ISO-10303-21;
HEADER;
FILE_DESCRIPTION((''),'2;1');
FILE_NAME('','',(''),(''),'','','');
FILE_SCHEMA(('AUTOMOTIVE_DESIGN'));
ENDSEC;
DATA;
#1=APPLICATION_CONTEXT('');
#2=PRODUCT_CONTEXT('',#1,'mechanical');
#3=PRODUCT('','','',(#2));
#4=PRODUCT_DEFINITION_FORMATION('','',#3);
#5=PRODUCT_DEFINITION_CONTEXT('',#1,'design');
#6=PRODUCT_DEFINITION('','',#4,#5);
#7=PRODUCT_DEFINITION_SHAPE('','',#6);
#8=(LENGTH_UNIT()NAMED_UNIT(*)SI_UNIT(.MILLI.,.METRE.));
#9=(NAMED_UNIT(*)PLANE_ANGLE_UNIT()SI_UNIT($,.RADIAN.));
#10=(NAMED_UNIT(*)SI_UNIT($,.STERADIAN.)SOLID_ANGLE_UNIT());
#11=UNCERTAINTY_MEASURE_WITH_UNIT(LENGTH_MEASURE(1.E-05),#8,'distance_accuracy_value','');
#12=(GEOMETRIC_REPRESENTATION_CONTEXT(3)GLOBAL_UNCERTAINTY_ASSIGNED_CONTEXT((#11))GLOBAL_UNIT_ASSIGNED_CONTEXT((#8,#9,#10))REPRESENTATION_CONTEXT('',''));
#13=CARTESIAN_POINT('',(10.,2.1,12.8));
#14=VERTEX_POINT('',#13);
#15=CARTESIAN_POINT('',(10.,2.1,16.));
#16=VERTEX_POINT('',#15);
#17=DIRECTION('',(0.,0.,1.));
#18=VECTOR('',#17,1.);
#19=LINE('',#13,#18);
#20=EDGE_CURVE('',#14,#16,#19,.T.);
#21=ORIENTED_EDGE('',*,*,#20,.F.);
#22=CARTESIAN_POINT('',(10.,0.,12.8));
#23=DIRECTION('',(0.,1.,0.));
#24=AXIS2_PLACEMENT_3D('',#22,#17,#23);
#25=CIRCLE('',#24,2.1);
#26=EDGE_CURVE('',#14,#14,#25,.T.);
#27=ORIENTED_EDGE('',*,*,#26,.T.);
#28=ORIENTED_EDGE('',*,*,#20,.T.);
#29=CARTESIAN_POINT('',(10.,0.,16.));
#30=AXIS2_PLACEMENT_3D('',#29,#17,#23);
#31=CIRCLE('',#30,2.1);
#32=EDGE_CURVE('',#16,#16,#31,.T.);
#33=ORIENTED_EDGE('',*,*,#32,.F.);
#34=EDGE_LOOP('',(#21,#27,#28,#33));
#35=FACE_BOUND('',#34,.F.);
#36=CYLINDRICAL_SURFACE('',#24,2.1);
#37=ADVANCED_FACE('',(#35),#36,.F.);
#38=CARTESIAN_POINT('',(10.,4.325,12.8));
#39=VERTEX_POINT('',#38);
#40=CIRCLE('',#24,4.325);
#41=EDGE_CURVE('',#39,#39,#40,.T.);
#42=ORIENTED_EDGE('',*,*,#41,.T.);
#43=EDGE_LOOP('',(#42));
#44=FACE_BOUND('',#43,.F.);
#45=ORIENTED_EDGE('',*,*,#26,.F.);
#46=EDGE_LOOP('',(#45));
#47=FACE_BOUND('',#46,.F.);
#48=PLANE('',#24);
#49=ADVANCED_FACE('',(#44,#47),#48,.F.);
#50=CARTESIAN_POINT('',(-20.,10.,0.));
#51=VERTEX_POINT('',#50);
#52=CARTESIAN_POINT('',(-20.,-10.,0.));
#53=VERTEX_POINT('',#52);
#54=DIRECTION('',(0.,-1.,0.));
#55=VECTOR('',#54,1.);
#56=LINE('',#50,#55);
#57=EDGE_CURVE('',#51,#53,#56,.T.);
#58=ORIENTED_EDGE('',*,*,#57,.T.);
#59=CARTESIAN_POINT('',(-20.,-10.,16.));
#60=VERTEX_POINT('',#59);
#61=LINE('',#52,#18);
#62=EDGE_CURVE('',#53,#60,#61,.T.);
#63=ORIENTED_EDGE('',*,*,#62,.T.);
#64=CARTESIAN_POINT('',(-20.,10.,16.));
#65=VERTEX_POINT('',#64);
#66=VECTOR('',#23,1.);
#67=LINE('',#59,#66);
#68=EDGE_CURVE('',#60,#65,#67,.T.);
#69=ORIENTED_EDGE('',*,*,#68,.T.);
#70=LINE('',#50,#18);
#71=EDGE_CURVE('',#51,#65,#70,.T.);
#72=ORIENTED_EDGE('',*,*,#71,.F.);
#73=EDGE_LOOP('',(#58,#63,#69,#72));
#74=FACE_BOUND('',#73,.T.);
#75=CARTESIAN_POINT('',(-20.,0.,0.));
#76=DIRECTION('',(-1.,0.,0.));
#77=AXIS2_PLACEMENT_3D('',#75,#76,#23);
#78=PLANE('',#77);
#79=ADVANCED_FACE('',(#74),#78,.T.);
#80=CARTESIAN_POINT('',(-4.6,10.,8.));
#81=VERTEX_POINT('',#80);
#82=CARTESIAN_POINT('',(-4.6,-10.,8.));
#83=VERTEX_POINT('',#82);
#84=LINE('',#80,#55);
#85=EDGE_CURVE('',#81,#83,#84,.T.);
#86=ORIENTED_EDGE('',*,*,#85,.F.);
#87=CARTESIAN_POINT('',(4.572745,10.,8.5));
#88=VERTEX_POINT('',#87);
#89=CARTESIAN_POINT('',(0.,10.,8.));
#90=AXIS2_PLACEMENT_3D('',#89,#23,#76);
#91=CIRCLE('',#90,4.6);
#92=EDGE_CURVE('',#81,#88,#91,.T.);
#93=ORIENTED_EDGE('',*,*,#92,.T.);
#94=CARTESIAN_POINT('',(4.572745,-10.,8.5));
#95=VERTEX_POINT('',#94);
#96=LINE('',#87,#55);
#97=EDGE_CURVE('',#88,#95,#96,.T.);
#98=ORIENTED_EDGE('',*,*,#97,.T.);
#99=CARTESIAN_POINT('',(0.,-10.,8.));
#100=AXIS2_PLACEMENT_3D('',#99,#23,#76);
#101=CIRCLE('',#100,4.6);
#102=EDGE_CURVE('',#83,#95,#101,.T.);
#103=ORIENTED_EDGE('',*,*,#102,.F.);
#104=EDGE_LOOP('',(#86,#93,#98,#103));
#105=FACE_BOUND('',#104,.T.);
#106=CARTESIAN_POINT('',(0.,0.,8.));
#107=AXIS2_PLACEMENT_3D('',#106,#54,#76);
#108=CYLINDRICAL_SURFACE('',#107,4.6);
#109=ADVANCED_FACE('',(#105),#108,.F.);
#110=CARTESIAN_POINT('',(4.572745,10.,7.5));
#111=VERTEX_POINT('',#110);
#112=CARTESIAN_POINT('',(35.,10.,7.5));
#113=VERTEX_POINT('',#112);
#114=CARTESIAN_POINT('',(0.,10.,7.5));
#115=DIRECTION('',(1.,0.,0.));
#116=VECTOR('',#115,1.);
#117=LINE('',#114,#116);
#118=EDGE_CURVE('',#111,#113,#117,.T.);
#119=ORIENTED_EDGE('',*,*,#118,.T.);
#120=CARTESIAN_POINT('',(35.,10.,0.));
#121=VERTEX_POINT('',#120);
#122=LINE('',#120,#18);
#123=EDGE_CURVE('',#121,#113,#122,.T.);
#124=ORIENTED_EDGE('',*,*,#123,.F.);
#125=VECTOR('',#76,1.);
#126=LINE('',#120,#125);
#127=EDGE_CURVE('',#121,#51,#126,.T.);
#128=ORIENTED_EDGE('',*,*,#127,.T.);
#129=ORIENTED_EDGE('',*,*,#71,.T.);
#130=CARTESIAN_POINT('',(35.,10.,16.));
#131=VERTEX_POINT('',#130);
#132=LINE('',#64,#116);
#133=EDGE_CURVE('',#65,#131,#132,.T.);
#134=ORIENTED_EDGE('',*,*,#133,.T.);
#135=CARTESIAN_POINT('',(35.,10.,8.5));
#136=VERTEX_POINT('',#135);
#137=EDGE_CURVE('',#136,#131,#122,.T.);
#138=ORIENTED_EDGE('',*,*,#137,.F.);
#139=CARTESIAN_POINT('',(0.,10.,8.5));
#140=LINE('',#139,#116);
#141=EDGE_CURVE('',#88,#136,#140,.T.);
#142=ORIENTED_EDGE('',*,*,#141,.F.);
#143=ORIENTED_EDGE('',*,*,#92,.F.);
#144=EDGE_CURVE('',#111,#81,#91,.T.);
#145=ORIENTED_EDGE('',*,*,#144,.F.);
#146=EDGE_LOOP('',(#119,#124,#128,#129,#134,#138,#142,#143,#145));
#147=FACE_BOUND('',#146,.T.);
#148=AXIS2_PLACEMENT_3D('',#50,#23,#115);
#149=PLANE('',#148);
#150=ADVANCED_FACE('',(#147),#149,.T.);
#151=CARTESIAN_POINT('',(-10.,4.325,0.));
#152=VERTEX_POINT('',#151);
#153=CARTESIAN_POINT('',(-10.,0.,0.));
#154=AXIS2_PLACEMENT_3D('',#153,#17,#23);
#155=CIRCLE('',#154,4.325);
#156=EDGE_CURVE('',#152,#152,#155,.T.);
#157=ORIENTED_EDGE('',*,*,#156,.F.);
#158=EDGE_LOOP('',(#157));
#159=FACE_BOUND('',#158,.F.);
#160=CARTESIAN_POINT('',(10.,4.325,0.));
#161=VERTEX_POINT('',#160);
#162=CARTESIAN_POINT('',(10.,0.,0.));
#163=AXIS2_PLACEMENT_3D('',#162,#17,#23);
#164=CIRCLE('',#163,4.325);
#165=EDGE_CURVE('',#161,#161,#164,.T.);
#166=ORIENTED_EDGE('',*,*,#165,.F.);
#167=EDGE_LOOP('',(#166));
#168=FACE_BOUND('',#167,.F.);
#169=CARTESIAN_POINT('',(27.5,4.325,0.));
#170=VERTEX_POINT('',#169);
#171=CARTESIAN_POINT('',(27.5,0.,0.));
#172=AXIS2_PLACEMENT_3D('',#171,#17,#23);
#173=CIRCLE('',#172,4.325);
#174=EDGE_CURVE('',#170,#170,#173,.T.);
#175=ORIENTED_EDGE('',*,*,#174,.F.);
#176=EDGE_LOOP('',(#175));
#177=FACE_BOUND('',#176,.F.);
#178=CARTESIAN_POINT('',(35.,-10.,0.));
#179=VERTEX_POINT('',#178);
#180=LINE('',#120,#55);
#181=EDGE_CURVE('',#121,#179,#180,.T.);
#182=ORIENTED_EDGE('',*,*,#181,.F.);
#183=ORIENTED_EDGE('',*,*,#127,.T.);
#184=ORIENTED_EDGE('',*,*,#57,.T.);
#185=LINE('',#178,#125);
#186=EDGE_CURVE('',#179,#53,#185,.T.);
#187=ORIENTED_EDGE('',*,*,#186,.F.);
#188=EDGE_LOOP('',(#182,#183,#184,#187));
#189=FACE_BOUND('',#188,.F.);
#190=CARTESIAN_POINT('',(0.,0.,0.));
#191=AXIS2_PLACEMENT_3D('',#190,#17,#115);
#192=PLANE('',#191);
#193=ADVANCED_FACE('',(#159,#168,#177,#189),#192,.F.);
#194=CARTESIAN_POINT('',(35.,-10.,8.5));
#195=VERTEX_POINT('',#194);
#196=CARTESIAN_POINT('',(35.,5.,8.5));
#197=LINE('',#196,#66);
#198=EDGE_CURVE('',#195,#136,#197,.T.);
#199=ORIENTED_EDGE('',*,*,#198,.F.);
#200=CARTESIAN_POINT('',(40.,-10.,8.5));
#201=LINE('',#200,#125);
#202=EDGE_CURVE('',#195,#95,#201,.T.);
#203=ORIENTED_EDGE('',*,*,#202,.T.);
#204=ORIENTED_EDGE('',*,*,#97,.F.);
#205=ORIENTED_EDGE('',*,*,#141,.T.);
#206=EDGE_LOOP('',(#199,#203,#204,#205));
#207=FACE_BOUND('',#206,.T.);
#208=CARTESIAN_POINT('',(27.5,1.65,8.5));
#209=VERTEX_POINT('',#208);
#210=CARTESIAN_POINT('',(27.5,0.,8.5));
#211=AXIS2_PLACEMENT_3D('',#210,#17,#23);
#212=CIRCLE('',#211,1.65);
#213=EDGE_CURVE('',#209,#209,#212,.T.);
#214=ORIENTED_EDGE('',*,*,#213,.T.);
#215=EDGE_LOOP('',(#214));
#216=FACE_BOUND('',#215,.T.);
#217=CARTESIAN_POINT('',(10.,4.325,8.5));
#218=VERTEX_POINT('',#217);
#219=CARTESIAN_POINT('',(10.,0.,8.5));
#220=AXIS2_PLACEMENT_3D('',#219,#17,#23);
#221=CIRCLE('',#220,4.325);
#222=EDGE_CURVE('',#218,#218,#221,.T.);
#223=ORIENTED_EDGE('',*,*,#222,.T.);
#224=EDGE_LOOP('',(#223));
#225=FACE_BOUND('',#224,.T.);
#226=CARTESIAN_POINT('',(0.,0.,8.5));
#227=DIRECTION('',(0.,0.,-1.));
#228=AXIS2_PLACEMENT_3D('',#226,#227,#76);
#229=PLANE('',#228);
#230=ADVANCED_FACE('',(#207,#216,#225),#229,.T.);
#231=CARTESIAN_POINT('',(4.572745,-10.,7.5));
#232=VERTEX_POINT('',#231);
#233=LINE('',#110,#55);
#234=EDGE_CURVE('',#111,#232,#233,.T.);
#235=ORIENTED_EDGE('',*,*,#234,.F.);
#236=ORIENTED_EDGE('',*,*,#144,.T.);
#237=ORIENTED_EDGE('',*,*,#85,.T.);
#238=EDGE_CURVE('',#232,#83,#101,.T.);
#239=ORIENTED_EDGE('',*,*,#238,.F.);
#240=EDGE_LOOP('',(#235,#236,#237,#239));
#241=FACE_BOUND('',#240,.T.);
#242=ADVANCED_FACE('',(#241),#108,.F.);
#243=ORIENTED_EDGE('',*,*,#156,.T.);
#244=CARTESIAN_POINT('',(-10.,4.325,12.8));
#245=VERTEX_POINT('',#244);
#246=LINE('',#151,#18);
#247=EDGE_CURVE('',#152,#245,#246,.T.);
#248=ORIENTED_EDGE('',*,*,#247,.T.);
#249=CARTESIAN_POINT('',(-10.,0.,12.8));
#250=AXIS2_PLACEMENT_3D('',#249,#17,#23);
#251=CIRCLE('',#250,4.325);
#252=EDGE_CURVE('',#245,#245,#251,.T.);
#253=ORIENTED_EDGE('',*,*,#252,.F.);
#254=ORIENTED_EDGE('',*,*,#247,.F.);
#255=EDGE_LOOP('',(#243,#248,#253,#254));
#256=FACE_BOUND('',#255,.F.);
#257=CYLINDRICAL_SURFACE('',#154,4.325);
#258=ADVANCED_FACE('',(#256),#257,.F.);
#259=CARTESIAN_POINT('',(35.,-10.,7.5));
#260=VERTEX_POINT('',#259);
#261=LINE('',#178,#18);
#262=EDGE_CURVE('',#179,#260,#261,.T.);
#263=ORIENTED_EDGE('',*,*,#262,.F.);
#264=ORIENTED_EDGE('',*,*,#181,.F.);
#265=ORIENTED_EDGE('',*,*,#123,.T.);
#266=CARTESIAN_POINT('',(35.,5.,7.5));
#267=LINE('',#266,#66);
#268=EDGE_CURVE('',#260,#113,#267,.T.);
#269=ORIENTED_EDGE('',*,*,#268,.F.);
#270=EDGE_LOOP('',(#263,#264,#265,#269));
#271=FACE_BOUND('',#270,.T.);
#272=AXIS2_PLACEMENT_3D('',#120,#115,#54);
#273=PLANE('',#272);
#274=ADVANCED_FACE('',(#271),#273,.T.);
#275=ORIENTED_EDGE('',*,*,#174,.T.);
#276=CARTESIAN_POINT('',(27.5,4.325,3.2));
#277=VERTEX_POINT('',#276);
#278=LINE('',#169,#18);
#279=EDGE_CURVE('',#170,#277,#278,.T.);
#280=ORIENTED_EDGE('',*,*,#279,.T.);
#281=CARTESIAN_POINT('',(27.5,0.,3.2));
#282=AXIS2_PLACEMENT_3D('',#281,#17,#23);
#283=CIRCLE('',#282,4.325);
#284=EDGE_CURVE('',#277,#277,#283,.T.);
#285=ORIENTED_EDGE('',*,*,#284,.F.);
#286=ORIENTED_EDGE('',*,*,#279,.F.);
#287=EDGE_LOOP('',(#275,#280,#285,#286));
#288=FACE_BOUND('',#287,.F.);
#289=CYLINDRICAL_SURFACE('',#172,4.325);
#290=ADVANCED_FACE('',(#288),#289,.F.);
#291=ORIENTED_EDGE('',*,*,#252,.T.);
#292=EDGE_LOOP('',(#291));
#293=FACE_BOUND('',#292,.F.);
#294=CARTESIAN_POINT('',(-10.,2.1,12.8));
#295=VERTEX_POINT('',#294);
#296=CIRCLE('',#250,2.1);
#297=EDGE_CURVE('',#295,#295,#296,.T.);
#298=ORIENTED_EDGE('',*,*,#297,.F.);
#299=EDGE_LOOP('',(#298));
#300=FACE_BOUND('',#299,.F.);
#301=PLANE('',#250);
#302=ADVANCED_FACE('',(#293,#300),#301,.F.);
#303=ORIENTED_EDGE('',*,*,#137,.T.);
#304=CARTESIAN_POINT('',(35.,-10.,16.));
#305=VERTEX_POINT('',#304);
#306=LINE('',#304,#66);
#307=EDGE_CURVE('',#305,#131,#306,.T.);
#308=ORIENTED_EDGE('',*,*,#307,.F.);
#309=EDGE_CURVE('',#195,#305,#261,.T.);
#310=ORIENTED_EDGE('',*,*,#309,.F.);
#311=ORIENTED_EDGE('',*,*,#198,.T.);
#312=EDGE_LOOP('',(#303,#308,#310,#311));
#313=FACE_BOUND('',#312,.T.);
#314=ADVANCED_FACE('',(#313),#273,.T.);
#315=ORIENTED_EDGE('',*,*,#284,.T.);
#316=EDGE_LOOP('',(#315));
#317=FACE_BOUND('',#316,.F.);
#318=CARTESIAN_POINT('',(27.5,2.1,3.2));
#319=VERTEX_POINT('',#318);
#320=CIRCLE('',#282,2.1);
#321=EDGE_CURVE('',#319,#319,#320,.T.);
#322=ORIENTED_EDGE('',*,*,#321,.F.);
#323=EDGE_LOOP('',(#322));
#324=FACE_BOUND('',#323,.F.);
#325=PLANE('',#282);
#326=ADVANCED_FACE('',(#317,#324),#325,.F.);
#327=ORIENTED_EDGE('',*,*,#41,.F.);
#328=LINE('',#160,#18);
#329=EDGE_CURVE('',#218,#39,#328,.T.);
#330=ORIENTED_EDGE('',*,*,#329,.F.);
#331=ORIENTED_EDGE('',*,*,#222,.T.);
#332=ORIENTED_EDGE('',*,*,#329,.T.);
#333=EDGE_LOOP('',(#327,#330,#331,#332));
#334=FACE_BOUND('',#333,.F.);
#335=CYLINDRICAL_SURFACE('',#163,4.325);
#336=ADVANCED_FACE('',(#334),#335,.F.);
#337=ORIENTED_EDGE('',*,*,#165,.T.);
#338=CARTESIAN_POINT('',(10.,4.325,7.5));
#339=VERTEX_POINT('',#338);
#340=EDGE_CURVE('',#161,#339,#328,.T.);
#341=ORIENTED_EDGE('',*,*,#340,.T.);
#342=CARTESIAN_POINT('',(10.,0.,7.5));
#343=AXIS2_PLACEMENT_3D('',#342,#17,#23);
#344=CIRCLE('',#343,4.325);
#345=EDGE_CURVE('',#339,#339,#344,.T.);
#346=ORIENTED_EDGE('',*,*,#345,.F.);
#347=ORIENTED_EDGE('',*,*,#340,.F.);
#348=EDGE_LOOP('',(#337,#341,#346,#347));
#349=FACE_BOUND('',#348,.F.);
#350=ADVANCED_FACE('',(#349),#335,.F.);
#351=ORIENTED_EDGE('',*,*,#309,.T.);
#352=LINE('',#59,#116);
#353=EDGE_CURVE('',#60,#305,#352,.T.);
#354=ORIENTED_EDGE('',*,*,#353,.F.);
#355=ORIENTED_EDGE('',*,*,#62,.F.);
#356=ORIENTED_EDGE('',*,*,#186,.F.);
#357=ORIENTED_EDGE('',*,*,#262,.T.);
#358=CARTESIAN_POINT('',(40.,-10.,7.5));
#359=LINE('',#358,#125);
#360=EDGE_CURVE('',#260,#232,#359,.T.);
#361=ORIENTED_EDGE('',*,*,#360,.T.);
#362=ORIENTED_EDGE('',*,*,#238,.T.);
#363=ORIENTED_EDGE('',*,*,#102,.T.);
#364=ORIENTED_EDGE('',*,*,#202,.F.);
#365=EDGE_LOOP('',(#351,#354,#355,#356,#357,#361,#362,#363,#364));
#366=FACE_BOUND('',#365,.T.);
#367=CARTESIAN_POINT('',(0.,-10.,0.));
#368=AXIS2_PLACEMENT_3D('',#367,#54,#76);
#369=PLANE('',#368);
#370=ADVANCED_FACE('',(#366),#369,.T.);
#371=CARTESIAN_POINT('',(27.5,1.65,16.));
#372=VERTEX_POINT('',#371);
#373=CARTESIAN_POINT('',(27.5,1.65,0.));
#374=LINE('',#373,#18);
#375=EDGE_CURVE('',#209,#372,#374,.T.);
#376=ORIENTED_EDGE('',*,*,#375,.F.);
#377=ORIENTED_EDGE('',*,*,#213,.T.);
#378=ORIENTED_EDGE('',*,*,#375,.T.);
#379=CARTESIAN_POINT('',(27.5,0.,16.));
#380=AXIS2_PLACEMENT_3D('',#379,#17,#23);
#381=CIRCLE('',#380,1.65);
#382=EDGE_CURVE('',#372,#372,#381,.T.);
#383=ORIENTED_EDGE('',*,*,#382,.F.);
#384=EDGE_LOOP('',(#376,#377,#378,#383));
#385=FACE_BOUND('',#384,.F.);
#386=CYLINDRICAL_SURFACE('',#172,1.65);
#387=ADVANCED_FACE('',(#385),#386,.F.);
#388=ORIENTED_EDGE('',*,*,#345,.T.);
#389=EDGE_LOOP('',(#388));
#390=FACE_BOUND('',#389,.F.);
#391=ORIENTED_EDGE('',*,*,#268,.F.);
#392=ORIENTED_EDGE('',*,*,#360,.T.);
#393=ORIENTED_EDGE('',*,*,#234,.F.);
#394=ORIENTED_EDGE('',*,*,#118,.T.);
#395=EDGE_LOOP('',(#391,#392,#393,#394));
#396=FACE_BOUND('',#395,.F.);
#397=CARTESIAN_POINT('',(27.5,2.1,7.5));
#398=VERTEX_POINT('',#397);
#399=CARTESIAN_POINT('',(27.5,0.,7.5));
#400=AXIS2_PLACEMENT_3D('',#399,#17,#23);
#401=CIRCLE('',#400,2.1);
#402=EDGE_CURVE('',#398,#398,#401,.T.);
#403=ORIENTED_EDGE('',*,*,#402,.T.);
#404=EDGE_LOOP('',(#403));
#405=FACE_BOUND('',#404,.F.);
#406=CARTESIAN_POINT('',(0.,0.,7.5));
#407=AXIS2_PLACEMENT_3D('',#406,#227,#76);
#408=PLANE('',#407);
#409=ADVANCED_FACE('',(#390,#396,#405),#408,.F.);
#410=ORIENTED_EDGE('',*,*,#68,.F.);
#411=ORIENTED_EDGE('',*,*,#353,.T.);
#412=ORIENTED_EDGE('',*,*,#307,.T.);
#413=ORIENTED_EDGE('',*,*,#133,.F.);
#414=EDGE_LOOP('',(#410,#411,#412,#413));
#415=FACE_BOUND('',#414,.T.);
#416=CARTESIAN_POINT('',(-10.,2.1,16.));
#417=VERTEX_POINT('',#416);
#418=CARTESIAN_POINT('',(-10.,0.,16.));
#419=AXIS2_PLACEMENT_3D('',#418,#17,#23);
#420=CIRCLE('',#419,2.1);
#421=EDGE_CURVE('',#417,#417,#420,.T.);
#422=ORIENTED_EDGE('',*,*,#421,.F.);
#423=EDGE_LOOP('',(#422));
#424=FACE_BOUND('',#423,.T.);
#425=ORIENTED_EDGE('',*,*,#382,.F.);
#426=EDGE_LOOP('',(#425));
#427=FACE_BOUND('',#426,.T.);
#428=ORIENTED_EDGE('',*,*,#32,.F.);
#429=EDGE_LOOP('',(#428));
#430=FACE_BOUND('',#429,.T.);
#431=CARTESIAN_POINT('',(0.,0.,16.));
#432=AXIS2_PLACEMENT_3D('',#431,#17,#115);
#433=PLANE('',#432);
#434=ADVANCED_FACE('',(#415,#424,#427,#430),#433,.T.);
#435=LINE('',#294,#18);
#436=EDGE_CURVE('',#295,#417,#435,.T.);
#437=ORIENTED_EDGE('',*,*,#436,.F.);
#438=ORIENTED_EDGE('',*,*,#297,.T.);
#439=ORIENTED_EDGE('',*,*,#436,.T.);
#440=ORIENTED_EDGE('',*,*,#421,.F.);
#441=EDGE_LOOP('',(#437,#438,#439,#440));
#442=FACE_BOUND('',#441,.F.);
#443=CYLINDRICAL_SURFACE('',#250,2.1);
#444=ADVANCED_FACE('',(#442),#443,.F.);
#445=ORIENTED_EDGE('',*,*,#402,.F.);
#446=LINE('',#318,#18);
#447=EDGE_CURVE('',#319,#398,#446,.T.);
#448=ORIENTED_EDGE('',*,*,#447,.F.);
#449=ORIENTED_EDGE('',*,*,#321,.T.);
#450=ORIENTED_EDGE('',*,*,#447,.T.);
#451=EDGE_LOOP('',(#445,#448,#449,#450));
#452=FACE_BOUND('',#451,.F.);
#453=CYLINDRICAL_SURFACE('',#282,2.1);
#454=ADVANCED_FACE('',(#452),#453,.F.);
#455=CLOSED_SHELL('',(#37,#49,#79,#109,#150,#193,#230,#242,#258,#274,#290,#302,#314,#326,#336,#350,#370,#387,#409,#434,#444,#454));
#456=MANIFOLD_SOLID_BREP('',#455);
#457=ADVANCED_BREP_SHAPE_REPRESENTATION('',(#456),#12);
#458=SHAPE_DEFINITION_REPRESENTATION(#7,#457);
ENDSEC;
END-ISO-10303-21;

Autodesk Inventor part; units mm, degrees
ref_plane "YZ Plane" through (0, 0, 0) normal (1, 0, 0) x (0, 1, 0)
ref_plane "XZ Plane" through (0, 0, 0) normal (0, 1, 0) x (-1, 0, 0)
sketch "Sketch1" plane through (0, 0, 0) normal (0, 0, 1) x (1, 0, 0)
  line L0 (-20, 10) -> (35, 10)
  line L1 (35, 10) -> (35, -10)
  line L2 (35, -10) -> (-20, -10)
  line L3 (-20, -10) -> (-20, 10)
  line L4 (-31, 0) -> (46, 0) projected
  line L5 (0, -14) -> (0, 14) projected
  point P0 (0, 0)
  point P1 (-10, 0)
  point P2 (10, 0)
  point P3 (27.5, 0)
  dimension "d0" = 20
  dimension "d2" = 55
  dimension "d8" = 20
  dimension "d9" = 20
  dimension "d10" = 7.5
extrude "Extrusion1" add sketch "Sketch1" along normal blind 16
sketch "Sketch2" plane through (0, 0, 0) normal (0, 0, 1) x (1, 0, 0)
  line L0 (-20, 10) -> (35, 10)
  line L1 (35, 10) -> (35, -10)
  line L2 (35, -10) -> (-20, -10)
  line L3 (-20, -10) -> (-20, 10)
  line L4 (0, 14) -> (0, -14) projected
  line L5 (-31, 0) -> (46, 0) projected
  point P0 (0, 0)
  point P1 (-10, 0)
  point P2 (10, 0)
  dimension "d38" = 20
  dimension "d39" = 55
  dimension "d41" = 20
hole "Hole4" at (-10, 0, 0) at (10, 0, 0) direction (0, 0, 1) diameter 4.2 end through all counterbore diameter 8.65 counterbore depth 12.8
sketch "Sketch3" plane through (0, 0, 0) normal (0, 0, 1) x (1, 0, 0)
  line L0 (-20, 10) -> (35, 10)
  line L1 (35, 10) -> (35, -10)
  line L2 (35, -10) -> (-20, -10)
  line L3 (-20, -10) -> (-20, 10)
  point P0 (0, 0)
  point P1 (-10, 0)
  point P2 (10, 0)
  point P3 (27.5, 0)
  dimension "d50" = 20
  dimension "d51" = 55
  dimension "d52" = 20
  dimension "d53" = 7.5
hole "Hole5" at (27.5, 0, 0) direction (0, 0, 1) diameter 4.2 depth 8 tip angle 118 counterbore diameter 8.65 counterbore depth 3.2
ref_plane "Work Plane1" through (0, 0, 8) normal (0, 0, -1) x (-1, 0, 0)
sketch "Sketch5" plane through (0, 0, 8) normal (0, 0, -1) x (-1, 0, 0)
  line L0 (-40, -10) -> (0, -10)
  line L1 (0, -10) -> (0, 10)
  line L2 (0, 10) -> (-40, 10)
  line L3 (-40, 10) -> (-40, -10)
  line L4 (49, 0) -> (-49, 0) projected
  line L5 (0, -14) -> (0, 14) projected
  point P0 (0, 0)
  point P1 (0, 0)
  dimension "d64" = 20
  dimension "d65" = 40
extrude "Extrusion2" cut sketch "Sketch5" along normal mid plane 1
sketch "Sketch6" plane through (0, 0, 0) normal (0, 1, 0) x (-1, 0, 0)
  line L0 (0, 7.5) -> (0, 8.5) projected
  circle A0 centre (0, 8) radius 4.6
  point P0 (0, 0)
  dimension "d68" = 9.2
extrude "Extrusion3" cut sketch "Sketch6" along normal mid plane 20
hole "Hole6" at (27.5, 0, 0) direction (0, 0, 1) diameter 3.3 end through all
properties part number "Lezerlefogov3"
